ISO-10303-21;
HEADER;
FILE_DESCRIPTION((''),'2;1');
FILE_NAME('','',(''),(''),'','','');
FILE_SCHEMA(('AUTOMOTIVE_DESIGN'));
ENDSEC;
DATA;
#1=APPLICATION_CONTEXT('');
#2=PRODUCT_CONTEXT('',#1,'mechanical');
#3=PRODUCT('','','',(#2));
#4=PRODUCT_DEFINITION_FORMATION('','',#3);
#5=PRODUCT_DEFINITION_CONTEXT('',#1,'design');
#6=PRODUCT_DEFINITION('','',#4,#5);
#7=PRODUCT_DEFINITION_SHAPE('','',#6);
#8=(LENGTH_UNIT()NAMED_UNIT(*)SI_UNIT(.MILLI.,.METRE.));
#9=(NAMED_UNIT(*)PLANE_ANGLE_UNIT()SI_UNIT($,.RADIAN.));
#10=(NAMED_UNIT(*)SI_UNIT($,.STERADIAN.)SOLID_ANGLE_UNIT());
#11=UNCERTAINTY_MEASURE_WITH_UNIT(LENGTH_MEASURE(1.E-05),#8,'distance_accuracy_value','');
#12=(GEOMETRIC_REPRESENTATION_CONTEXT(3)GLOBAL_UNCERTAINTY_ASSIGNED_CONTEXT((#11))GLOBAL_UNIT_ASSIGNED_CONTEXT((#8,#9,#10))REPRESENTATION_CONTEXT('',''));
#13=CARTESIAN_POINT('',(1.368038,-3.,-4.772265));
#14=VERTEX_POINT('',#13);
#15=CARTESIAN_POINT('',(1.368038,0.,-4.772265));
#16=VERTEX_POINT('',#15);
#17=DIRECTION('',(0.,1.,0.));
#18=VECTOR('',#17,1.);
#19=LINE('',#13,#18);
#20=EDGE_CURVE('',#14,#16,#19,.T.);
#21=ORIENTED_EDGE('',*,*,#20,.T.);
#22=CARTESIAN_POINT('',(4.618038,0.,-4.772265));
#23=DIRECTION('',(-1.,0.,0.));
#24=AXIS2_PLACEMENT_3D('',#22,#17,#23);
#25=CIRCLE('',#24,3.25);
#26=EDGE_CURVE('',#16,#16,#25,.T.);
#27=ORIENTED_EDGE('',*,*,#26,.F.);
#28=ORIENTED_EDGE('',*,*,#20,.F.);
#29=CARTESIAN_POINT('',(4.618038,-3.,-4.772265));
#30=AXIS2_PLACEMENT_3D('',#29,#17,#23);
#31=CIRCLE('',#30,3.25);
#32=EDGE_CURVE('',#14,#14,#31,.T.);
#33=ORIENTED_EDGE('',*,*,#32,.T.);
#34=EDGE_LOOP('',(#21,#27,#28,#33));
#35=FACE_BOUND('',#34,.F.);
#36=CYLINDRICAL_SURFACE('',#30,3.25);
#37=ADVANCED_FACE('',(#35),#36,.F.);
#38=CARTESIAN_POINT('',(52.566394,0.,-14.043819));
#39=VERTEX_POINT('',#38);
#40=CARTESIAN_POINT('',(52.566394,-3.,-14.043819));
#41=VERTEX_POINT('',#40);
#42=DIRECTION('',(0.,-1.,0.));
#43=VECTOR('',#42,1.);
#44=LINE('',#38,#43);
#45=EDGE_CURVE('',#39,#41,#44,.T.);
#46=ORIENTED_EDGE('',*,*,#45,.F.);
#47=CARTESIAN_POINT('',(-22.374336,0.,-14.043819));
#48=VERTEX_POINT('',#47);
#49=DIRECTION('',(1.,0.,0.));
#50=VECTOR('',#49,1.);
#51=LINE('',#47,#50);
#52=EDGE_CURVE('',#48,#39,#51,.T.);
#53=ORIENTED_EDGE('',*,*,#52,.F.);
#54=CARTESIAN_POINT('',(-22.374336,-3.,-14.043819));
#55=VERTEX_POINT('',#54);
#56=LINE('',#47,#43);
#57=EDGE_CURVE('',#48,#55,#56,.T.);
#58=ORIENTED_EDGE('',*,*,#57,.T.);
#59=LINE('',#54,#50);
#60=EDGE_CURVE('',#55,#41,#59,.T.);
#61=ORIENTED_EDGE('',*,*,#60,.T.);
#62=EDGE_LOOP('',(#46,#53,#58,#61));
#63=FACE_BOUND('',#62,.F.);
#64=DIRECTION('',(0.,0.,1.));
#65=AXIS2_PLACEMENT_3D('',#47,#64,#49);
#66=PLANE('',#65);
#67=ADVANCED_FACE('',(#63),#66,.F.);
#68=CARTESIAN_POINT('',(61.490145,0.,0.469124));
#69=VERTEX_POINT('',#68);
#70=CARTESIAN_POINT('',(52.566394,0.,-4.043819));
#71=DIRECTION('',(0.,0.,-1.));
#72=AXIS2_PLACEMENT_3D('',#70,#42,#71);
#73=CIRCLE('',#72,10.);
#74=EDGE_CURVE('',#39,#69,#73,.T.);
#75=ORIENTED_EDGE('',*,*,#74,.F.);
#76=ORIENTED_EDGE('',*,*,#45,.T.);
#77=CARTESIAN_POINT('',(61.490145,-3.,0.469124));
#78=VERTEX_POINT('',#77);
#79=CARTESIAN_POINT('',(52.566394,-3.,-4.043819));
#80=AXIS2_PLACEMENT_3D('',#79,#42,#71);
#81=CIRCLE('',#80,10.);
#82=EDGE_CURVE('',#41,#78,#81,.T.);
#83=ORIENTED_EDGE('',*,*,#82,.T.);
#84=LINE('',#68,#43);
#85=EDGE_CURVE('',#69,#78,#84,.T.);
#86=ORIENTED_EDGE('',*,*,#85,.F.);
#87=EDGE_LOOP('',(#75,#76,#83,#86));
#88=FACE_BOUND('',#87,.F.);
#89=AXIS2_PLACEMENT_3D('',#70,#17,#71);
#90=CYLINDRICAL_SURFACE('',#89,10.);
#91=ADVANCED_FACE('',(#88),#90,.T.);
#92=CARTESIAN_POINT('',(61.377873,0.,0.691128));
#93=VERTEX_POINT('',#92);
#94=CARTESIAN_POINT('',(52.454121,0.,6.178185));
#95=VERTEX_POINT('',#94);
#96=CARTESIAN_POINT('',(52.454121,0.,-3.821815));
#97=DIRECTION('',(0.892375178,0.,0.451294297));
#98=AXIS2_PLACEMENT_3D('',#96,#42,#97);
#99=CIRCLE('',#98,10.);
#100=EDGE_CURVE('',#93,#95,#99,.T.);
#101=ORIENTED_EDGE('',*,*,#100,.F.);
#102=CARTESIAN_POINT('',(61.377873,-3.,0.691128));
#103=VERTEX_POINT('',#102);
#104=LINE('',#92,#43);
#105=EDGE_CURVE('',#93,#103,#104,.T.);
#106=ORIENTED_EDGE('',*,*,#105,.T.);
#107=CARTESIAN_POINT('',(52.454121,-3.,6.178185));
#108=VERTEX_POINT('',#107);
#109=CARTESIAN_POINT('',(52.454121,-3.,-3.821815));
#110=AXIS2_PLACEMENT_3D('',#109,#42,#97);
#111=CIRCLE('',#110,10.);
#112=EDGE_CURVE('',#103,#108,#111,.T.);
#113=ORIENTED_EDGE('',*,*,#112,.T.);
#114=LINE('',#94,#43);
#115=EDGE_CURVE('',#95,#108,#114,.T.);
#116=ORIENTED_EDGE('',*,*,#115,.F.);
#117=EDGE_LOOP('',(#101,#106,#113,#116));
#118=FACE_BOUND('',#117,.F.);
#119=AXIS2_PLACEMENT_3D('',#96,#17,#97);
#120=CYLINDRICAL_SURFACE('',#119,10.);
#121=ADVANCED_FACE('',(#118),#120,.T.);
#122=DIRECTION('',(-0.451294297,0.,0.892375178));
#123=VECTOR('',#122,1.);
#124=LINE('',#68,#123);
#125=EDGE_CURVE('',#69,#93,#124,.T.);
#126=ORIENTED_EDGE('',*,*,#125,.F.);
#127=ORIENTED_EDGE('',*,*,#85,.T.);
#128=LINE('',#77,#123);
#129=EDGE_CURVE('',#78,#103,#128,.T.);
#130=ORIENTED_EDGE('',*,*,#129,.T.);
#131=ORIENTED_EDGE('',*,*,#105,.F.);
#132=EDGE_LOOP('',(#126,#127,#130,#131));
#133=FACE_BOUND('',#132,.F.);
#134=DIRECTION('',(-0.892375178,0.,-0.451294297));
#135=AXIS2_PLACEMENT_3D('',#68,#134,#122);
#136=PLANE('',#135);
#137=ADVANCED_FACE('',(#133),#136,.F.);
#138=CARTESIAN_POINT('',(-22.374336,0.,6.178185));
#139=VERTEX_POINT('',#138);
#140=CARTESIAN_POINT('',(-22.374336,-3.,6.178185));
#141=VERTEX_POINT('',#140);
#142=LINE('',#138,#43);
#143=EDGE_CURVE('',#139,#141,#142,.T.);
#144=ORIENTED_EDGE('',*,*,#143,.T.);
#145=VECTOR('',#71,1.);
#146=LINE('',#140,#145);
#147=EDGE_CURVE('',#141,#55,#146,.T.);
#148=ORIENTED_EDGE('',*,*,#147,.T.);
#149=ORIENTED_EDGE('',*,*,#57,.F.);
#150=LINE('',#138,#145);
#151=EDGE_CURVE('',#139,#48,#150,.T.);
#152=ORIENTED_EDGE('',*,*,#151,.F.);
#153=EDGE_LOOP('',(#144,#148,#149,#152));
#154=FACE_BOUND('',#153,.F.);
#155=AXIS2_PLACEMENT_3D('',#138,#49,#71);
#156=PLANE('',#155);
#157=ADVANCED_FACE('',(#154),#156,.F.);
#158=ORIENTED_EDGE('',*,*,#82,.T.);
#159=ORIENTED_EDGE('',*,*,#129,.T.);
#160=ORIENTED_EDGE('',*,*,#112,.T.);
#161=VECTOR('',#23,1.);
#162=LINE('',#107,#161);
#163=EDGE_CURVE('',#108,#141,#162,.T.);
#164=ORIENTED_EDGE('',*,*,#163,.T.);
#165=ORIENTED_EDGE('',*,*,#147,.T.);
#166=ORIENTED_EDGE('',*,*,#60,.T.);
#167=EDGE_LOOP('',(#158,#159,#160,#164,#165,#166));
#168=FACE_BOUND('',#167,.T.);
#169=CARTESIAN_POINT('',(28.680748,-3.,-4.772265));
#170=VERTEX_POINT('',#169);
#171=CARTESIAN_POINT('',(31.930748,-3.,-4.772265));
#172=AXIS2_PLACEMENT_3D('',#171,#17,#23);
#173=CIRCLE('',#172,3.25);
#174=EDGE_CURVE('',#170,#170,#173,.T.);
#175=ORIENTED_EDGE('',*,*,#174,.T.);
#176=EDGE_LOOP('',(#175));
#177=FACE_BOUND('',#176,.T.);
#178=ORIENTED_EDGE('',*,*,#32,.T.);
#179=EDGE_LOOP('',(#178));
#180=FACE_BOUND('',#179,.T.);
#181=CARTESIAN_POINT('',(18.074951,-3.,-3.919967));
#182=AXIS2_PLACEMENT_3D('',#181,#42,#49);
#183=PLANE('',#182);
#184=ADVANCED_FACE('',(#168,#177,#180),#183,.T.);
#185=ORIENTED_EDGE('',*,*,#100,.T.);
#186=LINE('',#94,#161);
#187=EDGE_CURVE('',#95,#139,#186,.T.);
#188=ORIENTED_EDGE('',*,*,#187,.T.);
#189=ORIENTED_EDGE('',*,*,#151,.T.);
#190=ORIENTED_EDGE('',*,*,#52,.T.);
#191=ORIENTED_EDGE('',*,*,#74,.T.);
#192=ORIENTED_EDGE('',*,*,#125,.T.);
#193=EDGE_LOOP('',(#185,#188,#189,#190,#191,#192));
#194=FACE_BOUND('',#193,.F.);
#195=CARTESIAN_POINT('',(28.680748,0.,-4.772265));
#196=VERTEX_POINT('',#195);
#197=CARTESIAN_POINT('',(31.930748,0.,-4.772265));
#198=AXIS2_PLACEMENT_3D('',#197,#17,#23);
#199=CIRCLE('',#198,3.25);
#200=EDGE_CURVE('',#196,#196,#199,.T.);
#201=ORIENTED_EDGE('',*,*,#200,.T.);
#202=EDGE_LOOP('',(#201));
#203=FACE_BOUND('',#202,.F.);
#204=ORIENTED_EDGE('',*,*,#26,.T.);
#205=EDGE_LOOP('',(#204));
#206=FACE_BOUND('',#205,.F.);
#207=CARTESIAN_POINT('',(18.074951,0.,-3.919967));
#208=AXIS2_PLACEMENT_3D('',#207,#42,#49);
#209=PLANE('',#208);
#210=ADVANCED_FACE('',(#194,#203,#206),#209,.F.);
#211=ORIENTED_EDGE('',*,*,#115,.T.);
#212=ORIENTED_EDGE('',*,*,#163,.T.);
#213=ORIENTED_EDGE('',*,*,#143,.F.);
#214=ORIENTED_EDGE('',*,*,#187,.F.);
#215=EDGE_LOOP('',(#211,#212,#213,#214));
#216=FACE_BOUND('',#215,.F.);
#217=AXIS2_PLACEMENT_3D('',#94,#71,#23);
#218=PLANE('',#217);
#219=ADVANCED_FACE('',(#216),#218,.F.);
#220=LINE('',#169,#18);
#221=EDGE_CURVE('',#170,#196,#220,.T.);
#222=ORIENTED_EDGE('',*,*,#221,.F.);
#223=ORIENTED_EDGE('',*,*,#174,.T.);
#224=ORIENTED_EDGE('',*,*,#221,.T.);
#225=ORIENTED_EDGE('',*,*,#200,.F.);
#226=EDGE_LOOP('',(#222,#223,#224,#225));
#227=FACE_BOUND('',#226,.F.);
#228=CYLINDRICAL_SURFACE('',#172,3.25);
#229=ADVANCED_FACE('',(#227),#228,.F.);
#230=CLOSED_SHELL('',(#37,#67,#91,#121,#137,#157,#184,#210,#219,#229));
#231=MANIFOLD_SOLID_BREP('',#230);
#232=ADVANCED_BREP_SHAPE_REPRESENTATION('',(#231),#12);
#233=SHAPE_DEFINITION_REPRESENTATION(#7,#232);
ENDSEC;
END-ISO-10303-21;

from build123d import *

# Parameters (mm, degrees)
F1_DEPTH       = 3
F3_D           = 3.3
F3_DEPTH       = 14.4
F3_CBORE_D     = 6.5
F3_CBORE_DEPTH = 3
F3_TIP         = 0.9914200214


with BuildPart() as f1:
    # F0 (on Front) → F1 (new body)
    with BuildSketch(Plane.XZ):
        with BuildLine():
            Line((52.4541210128, 6.1781848239), (-22.3743356764, 6.1781848239))
            Line((-22.3743356764, 6.1781848239), (-22.3743356764, -14.0438194092))
            Line((-22.3743356764, -14.0438194092), (52.5663935712, -14.0438194092))
            ThreePointArc((52.5663935712, -14.0438194092), (61.0848860922, -9.2816896986), (61.4901453485, 0.469123557))
            Line((61.4901453485, 0.469123557), (61.3778727901, 0.6911277901))
            ThreePointArc((61.3778727901, 0.6911277901), (57.6919913022, 4.696677345), (52.4541210128, 6.1781848239))
        make_face()
    extrude(amount=F1_DEPTH)

    # F3
    with Locations(Plane(origin=(0, 0, 0), x_dir=(-1, 0, 0), z_dir=(0, 1, 0))):
        with Locations((-31.9307483733, -4.7722645104), (-4.6180379577, -4.7722645104)):
            CounterBoreHole(F3_D / 2, F3_CBORE_D / 2, F3_CBORE_DEPTH, depth=F3_DEPTH)
            with Locations((0, 0, -(F3_DEPTH + F3_TIP / 2))):  # 118° drill point
                Cone(0, F3_D / 2, F3_TIP, mode=Mode.SUBTRACT)


solid = f1.part
